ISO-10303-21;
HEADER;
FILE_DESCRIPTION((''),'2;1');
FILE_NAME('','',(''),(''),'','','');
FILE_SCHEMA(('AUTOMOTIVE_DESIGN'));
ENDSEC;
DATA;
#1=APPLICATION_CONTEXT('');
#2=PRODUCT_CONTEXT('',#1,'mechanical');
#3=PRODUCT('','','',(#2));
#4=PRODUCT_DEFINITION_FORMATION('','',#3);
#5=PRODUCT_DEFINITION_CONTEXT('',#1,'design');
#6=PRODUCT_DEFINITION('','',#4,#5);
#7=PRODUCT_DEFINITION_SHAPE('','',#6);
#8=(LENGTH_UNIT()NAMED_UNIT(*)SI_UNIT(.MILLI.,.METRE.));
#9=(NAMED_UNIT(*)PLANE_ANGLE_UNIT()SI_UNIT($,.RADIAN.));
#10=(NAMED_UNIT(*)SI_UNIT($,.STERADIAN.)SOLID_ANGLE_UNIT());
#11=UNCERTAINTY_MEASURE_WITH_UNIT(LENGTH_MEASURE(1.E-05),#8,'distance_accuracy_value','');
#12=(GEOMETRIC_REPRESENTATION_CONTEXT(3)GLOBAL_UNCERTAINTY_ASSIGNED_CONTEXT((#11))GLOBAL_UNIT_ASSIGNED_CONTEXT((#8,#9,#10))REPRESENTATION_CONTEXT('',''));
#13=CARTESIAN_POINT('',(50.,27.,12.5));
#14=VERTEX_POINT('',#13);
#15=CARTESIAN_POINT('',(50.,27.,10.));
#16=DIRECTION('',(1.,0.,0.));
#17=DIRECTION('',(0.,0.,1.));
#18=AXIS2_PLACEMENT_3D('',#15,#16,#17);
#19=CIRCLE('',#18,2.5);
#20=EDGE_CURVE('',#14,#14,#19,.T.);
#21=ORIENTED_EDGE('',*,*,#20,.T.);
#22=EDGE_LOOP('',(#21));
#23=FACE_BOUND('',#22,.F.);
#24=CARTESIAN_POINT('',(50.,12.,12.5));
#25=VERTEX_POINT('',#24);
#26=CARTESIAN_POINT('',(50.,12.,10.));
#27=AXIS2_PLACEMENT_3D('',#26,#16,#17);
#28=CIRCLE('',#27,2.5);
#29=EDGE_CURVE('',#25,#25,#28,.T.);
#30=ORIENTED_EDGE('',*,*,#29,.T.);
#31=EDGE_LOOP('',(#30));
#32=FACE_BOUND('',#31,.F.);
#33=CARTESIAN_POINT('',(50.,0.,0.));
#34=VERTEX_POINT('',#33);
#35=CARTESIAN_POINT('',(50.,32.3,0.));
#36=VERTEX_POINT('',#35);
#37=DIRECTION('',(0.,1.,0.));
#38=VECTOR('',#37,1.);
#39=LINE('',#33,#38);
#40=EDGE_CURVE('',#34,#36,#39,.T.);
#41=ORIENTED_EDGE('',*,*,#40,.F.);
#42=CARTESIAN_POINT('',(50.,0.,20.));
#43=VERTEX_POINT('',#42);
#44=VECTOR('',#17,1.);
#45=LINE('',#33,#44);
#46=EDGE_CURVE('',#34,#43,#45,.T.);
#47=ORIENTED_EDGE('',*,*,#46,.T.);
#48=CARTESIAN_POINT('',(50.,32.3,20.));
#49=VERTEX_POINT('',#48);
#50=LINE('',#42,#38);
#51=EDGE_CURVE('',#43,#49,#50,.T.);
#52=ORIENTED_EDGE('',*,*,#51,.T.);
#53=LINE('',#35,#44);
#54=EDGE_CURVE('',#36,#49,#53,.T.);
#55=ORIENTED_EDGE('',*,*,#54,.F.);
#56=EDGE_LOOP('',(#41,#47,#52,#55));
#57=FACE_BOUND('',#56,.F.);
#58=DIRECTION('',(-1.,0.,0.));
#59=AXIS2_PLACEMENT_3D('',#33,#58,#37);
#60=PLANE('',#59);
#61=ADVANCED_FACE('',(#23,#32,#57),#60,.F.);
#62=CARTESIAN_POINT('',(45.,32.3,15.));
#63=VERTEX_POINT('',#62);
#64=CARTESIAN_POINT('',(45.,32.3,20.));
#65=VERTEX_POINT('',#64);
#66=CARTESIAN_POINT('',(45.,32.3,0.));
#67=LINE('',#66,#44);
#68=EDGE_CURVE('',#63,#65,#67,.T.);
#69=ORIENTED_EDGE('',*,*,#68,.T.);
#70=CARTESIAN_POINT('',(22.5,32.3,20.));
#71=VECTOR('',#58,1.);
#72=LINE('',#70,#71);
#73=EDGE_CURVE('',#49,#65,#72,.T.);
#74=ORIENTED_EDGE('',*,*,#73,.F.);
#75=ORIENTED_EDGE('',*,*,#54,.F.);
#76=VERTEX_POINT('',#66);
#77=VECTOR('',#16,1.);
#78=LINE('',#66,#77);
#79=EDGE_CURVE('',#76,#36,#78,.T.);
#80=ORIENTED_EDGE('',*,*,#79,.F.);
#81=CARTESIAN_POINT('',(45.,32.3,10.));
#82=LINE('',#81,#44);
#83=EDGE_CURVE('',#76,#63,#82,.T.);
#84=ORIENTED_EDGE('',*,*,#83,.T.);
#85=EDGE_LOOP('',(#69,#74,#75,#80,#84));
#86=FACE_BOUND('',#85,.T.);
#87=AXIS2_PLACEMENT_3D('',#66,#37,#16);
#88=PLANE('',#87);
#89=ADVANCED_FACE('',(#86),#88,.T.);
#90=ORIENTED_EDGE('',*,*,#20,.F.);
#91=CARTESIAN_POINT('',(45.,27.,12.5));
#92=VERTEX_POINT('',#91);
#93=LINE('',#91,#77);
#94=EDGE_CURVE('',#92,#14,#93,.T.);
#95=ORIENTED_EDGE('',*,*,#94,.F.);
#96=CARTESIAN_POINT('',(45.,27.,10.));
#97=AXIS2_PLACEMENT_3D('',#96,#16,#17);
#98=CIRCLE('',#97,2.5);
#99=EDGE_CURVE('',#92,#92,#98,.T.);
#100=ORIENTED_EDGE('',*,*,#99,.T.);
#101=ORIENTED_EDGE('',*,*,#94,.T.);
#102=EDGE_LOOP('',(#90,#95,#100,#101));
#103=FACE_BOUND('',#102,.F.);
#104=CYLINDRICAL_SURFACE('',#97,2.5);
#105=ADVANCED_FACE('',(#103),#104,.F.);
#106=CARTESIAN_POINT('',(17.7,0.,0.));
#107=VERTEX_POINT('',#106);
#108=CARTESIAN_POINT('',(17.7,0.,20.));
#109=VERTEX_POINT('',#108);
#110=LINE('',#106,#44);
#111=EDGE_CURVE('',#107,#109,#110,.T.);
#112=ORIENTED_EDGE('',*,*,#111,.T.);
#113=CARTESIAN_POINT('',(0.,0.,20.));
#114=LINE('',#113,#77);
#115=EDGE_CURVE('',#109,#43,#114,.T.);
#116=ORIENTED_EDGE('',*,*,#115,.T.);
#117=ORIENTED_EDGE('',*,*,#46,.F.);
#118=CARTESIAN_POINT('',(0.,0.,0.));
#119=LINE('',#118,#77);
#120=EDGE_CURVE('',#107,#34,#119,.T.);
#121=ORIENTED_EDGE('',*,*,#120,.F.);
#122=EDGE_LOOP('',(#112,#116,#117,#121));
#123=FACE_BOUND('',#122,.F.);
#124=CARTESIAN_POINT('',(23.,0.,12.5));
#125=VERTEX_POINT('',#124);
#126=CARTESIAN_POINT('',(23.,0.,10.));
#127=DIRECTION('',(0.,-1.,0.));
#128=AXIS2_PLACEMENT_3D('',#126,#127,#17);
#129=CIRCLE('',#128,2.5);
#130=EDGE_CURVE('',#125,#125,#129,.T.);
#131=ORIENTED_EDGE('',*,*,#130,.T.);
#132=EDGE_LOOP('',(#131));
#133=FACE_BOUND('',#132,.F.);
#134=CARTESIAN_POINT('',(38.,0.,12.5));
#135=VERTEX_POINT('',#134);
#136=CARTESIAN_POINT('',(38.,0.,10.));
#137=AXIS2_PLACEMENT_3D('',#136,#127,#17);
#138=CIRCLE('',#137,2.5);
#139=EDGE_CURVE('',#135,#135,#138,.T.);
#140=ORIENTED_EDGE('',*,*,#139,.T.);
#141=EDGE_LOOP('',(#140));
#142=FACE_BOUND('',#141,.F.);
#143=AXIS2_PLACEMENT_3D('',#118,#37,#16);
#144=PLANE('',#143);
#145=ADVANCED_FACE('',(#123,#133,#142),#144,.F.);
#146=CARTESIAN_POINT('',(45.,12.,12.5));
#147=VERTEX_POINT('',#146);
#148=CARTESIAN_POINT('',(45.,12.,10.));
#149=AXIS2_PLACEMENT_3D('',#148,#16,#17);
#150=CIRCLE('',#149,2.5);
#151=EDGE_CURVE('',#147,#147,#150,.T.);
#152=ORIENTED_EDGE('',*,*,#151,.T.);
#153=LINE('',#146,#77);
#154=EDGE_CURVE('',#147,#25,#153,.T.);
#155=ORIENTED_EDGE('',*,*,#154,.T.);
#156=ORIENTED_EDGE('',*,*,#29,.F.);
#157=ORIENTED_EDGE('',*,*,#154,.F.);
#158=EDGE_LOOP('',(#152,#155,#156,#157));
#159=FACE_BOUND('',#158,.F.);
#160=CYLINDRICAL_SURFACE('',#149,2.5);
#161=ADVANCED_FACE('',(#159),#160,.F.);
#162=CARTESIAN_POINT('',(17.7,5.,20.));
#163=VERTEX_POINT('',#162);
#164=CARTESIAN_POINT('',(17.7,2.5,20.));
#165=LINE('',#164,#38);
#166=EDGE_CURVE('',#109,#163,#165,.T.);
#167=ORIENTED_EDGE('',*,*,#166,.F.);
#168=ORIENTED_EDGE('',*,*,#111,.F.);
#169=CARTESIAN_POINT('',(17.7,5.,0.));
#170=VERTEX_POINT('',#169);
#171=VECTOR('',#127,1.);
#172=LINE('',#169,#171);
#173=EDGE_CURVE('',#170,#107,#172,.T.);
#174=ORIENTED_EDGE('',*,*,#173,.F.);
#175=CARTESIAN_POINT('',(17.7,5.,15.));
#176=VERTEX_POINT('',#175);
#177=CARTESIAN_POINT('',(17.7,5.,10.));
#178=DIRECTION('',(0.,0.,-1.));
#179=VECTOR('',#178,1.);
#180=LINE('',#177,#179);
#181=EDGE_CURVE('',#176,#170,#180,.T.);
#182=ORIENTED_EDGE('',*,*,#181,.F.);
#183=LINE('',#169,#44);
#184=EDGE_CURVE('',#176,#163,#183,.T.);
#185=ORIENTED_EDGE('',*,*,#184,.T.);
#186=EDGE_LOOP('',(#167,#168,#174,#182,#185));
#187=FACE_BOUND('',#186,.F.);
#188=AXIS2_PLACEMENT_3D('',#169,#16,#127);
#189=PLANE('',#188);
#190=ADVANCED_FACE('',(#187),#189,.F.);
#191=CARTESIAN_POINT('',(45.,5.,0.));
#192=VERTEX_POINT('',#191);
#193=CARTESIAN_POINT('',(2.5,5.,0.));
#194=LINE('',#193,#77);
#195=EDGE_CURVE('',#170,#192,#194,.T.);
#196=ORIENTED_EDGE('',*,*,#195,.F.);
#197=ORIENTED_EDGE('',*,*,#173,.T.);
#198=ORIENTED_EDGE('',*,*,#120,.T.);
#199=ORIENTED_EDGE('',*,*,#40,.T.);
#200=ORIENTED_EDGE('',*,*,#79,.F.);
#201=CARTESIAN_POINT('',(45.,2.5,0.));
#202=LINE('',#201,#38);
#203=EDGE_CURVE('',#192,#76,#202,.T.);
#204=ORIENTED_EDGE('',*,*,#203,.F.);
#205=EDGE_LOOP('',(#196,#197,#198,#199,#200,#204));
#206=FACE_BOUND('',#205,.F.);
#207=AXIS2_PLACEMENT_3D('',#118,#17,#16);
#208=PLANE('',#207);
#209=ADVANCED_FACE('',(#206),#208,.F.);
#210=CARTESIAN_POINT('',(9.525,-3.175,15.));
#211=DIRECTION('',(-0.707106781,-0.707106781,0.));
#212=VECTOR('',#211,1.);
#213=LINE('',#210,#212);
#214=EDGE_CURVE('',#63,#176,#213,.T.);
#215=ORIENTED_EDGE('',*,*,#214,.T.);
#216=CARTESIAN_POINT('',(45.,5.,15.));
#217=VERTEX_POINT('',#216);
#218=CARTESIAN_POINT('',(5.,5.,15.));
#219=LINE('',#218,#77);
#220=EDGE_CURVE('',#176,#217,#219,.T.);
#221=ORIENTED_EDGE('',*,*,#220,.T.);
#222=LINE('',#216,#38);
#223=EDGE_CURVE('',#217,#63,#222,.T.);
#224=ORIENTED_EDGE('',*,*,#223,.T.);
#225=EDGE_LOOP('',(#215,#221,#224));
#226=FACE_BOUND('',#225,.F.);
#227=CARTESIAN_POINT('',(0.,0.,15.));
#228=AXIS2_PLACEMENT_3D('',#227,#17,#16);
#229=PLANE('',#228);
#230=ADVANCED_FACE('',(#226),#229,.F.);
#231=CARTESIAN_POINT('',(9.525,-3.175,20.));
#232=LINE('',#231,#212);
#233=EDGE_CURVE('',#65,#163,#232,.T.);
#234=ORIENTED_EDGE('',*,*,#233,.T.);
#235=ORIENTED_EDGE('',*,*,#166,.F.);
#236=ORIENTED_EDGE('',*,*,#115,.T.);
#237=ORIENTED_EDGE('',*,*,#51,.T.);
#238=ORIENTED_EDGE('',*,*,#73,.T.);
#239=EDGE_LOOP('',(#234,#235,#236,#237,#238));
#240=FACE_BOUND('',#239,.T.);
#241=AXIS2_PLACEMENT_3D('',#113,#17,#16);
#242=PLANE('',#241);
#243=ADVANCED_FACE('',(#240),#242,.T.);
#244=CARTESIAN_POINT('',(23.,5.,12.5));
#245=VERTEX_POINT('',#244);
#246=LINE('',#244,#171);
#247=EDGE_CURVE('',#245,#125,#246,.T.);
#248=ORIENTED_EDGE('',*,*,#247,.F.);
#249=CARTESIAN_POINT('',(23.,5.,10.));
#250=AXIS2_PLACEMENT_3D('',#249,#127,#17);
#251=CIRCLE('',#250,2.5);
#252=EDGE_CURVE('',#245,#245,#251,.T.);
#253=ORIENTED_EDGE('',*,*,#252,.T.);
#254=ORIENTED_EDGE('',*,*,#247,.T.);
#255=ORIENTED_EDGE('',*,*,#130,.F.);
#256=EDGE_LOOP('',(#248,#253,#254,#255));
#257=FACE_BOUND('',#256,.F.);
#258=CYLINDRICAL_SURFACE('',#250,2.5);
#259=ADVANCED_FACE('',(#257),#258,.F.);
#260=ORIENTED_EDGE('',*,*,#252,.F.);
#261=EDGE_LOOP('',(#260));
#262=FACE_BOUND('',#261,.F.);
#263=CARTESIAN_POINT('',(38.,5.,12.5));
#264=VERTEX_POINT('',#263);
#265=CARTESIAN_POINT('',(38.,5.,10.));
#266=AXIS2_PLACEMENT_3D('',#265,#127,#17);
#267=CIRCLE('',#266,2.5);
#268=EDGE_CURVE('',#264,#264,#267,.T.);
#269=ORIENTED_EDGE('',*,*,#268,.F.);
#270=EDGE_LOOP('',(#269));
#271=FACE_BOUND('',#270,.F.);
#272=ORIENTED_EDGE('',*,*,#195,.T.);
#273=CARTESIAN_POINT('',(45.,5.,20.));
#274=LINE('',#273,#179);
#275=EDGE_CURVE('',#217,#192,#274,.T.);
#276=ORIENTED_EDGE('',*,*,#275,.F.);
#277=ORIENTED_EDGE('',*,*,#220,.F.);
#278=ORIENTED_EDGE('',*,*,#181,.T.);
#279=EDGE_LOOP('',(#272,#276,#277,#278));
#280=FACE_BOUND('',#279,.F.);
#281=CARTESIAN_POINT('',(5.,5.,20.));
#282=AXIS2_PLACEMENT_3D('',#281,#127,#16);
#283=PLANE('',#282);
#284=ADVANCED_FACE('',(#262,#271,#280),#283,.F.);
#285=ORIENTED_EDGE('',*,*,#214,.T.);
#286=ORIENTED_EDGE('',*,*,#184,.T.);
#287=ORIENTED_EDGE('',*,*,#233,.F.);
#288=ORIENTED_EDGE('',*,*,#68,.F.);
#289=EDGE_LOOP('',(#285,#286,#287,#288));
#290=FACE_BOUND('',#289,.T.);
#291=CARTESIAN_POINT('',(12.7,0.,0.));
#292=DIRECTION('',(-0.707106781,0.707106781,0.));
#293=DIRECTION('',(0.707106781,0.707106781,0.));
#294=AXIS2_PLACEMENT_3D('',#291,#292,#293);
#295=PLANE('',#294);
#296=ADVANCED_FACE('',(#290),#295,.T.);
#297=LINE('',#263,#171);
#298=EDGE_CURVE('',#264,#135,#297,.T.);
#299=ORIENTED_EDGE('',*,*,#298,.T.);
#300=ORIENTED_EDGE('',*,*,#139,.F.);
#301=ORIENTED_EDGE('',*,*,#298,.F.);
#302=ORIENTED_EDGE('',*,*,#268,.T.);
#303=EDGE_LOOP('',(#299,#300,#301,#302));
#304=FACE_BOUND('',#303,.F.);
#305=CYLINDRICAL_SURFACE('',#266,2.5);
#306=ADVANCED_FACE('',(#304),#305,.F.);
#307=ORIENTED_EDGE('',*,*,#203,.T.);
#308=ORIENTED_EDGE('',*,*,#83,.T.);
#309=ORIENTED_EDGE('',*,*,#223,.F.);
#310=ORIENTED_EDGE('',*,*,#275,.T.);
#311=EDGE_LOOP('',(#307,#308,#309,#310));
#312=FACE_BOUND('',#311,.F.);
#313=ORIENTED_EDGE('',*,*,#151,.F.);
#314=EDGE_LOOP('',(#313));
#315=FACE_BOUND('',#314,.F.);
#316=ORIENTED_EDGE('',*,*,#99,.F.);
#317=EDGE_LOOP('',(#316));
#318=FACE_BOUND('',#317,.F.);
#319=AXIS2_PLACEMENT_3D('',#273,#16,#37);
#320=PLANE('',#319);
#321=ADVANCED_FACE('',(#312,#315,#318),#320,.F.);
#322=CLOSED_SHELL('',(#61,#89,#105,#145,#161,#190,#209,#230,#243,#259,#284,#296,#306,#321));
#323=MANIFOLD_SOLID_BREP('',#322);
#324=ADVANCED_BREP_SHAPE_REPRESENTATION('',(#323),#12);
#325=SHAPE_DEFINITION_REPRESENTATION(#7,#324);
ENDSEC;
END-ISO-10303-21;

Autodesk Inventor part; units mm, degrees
ref_plane "YZ Plane" through (0, 0, 0) normal (1, 0, 0) x (0, 1, 0)
ref_plane "XZ Plane" through (0, 0, 0) normal (0, 1, 0) x (-1, 0, 0)
ref_plane "XY Plane" through (0, 0, 0) normal (0, 0, 1) x (1, 0, 0)
sketch "Sketch1" plane through (0, 0, 0) normal (0, 0, 1) x (1, 0, 0)
  line L0 (0, 0) -> (50, 0)
  line L1 (50, 0) -> (50, 50)
  line L2 (50, 50) -> (0, 0)
  dimension "d0" = 50
  dimension "d1" = 50
extrude "Extrusion1" add sketch "Sketch1" along normal blind 20
sketch "Sketch2" plane through (0, 0, 20) normal (0, 0, 1) x (1, 0, 0)
  line L0 (50, 50) -> (0, 0) projected
  line L1 (5, 5) -> (45, 5)
  line L2 (45, 5) -> (45, 45)
  line L3 (50, 0) -> (50, 50) projected
  line L4 (0, 0) -> (50, 0) projected
  dimension "d4" = 5
  dimension "d5" = 5
extrude "Extrusion2" cut sketch "Sketch2" against normal through all contours L2 L1 L0
extrude "Extrusion3" add sketch "Sketch2" against normal blind 5 contours L2 L1 L0
sketch "Sketch3" plane through (0, 0, 0) normal (0, 0, -1) x (-1, 0, 0)
  line L0 (-12.7, 0) -> (-50, 37.3)
  line L1 (-50, 0) -> (-50, 50) projected
  line L2 (-60.6675, 53.6604) -> (-50, 37.3)
  line L3 (-60.6675, 53.6604) -> (-37.4752, 61.571)
  line L4 (-37.4752, 61.571) -> (23.8314, -5.4888)
  line L5 (23.8314, -5.4888) -> (-5.9204, -12.6802)
  line L6 (-5.9204, -12.6802) -> (-12.7, 0)
  point P0 (0, 0)
  dimension "d12" = 12.7
  dimension "d13" = 12.7
extrude "Extrusion5" cut sketch "Sketch3" against normal through all
sketch "Sketch5" plane through (45, 5, 0) normal (-1, 0, 0) x (0, 0, 1)
  line L0 (0, 0) -> (0, 27.3) projected
  line L1 (20, -5) -> (0, -5) projected
  point P0 (10, 22)
  point P1 (10, 7)
  dimension "d28" = 10
  dimension "d29" = 10
  dimension "d30" = 15
  dimension "d31" = 12
hole "Hole2" at (45, 27, 10) at (45, 12, 10) direction (1, 0, 0) diameter 5 depth 25.4 tip angle 118
sketch "Sketch6" plane through (45, 5, 15) normal (0, 1, 0) x (1, 0, 0)
  line L0 (-27.3, 15) -> (0, 15) projected
  line L1 (5, 15) -> (5, -5) projected
  point P0 (-45, 15)
  point P1 (-7, 5)
  point P2 (-22, 5)
  dimension "d39" = 15
  dimension "d40" = 10
  dimension "d41" = 10
  dimension "d42" = 12
hole "Hole3" at (38, 5, 10) at (23, 5, 10) direction (0, -1, 0) diameter 5 depth 25.4 tip angle 118
sketch "Sketch7" plane through (0, 0, 0) normal (0, 0, -1) x (-1, 0, 0)
  line L0 (-17.7, 5) -> (-17.7, 0)
  line L1 (-12.7, 0) -> (-50, 0) projected
  line L2 (-17.7, 0) -> (-12.7, 0)
  line L3 (-12.7, 0) -> (-17.7, 5)
  line L4 (-12.7, 0) -> (-17.7, 5) projected
  line L5 (-45, 32.3) -> (-50, 32.3)
  line L6 (-50, 0) -> (-50, 37.3) projected
  line L7 (-50, 32.3) -> (-50, 37.3)
  line L8 (-50, 37.3) -> (-45, 32.3)
  line L9 (-45, 32.3) -> (-50, 37.3) projected
  point P0 (0, 0)
extrude "Extrusion6" cut sketch "Sketch7" against normal blind 25.4
properties part number "corners"
